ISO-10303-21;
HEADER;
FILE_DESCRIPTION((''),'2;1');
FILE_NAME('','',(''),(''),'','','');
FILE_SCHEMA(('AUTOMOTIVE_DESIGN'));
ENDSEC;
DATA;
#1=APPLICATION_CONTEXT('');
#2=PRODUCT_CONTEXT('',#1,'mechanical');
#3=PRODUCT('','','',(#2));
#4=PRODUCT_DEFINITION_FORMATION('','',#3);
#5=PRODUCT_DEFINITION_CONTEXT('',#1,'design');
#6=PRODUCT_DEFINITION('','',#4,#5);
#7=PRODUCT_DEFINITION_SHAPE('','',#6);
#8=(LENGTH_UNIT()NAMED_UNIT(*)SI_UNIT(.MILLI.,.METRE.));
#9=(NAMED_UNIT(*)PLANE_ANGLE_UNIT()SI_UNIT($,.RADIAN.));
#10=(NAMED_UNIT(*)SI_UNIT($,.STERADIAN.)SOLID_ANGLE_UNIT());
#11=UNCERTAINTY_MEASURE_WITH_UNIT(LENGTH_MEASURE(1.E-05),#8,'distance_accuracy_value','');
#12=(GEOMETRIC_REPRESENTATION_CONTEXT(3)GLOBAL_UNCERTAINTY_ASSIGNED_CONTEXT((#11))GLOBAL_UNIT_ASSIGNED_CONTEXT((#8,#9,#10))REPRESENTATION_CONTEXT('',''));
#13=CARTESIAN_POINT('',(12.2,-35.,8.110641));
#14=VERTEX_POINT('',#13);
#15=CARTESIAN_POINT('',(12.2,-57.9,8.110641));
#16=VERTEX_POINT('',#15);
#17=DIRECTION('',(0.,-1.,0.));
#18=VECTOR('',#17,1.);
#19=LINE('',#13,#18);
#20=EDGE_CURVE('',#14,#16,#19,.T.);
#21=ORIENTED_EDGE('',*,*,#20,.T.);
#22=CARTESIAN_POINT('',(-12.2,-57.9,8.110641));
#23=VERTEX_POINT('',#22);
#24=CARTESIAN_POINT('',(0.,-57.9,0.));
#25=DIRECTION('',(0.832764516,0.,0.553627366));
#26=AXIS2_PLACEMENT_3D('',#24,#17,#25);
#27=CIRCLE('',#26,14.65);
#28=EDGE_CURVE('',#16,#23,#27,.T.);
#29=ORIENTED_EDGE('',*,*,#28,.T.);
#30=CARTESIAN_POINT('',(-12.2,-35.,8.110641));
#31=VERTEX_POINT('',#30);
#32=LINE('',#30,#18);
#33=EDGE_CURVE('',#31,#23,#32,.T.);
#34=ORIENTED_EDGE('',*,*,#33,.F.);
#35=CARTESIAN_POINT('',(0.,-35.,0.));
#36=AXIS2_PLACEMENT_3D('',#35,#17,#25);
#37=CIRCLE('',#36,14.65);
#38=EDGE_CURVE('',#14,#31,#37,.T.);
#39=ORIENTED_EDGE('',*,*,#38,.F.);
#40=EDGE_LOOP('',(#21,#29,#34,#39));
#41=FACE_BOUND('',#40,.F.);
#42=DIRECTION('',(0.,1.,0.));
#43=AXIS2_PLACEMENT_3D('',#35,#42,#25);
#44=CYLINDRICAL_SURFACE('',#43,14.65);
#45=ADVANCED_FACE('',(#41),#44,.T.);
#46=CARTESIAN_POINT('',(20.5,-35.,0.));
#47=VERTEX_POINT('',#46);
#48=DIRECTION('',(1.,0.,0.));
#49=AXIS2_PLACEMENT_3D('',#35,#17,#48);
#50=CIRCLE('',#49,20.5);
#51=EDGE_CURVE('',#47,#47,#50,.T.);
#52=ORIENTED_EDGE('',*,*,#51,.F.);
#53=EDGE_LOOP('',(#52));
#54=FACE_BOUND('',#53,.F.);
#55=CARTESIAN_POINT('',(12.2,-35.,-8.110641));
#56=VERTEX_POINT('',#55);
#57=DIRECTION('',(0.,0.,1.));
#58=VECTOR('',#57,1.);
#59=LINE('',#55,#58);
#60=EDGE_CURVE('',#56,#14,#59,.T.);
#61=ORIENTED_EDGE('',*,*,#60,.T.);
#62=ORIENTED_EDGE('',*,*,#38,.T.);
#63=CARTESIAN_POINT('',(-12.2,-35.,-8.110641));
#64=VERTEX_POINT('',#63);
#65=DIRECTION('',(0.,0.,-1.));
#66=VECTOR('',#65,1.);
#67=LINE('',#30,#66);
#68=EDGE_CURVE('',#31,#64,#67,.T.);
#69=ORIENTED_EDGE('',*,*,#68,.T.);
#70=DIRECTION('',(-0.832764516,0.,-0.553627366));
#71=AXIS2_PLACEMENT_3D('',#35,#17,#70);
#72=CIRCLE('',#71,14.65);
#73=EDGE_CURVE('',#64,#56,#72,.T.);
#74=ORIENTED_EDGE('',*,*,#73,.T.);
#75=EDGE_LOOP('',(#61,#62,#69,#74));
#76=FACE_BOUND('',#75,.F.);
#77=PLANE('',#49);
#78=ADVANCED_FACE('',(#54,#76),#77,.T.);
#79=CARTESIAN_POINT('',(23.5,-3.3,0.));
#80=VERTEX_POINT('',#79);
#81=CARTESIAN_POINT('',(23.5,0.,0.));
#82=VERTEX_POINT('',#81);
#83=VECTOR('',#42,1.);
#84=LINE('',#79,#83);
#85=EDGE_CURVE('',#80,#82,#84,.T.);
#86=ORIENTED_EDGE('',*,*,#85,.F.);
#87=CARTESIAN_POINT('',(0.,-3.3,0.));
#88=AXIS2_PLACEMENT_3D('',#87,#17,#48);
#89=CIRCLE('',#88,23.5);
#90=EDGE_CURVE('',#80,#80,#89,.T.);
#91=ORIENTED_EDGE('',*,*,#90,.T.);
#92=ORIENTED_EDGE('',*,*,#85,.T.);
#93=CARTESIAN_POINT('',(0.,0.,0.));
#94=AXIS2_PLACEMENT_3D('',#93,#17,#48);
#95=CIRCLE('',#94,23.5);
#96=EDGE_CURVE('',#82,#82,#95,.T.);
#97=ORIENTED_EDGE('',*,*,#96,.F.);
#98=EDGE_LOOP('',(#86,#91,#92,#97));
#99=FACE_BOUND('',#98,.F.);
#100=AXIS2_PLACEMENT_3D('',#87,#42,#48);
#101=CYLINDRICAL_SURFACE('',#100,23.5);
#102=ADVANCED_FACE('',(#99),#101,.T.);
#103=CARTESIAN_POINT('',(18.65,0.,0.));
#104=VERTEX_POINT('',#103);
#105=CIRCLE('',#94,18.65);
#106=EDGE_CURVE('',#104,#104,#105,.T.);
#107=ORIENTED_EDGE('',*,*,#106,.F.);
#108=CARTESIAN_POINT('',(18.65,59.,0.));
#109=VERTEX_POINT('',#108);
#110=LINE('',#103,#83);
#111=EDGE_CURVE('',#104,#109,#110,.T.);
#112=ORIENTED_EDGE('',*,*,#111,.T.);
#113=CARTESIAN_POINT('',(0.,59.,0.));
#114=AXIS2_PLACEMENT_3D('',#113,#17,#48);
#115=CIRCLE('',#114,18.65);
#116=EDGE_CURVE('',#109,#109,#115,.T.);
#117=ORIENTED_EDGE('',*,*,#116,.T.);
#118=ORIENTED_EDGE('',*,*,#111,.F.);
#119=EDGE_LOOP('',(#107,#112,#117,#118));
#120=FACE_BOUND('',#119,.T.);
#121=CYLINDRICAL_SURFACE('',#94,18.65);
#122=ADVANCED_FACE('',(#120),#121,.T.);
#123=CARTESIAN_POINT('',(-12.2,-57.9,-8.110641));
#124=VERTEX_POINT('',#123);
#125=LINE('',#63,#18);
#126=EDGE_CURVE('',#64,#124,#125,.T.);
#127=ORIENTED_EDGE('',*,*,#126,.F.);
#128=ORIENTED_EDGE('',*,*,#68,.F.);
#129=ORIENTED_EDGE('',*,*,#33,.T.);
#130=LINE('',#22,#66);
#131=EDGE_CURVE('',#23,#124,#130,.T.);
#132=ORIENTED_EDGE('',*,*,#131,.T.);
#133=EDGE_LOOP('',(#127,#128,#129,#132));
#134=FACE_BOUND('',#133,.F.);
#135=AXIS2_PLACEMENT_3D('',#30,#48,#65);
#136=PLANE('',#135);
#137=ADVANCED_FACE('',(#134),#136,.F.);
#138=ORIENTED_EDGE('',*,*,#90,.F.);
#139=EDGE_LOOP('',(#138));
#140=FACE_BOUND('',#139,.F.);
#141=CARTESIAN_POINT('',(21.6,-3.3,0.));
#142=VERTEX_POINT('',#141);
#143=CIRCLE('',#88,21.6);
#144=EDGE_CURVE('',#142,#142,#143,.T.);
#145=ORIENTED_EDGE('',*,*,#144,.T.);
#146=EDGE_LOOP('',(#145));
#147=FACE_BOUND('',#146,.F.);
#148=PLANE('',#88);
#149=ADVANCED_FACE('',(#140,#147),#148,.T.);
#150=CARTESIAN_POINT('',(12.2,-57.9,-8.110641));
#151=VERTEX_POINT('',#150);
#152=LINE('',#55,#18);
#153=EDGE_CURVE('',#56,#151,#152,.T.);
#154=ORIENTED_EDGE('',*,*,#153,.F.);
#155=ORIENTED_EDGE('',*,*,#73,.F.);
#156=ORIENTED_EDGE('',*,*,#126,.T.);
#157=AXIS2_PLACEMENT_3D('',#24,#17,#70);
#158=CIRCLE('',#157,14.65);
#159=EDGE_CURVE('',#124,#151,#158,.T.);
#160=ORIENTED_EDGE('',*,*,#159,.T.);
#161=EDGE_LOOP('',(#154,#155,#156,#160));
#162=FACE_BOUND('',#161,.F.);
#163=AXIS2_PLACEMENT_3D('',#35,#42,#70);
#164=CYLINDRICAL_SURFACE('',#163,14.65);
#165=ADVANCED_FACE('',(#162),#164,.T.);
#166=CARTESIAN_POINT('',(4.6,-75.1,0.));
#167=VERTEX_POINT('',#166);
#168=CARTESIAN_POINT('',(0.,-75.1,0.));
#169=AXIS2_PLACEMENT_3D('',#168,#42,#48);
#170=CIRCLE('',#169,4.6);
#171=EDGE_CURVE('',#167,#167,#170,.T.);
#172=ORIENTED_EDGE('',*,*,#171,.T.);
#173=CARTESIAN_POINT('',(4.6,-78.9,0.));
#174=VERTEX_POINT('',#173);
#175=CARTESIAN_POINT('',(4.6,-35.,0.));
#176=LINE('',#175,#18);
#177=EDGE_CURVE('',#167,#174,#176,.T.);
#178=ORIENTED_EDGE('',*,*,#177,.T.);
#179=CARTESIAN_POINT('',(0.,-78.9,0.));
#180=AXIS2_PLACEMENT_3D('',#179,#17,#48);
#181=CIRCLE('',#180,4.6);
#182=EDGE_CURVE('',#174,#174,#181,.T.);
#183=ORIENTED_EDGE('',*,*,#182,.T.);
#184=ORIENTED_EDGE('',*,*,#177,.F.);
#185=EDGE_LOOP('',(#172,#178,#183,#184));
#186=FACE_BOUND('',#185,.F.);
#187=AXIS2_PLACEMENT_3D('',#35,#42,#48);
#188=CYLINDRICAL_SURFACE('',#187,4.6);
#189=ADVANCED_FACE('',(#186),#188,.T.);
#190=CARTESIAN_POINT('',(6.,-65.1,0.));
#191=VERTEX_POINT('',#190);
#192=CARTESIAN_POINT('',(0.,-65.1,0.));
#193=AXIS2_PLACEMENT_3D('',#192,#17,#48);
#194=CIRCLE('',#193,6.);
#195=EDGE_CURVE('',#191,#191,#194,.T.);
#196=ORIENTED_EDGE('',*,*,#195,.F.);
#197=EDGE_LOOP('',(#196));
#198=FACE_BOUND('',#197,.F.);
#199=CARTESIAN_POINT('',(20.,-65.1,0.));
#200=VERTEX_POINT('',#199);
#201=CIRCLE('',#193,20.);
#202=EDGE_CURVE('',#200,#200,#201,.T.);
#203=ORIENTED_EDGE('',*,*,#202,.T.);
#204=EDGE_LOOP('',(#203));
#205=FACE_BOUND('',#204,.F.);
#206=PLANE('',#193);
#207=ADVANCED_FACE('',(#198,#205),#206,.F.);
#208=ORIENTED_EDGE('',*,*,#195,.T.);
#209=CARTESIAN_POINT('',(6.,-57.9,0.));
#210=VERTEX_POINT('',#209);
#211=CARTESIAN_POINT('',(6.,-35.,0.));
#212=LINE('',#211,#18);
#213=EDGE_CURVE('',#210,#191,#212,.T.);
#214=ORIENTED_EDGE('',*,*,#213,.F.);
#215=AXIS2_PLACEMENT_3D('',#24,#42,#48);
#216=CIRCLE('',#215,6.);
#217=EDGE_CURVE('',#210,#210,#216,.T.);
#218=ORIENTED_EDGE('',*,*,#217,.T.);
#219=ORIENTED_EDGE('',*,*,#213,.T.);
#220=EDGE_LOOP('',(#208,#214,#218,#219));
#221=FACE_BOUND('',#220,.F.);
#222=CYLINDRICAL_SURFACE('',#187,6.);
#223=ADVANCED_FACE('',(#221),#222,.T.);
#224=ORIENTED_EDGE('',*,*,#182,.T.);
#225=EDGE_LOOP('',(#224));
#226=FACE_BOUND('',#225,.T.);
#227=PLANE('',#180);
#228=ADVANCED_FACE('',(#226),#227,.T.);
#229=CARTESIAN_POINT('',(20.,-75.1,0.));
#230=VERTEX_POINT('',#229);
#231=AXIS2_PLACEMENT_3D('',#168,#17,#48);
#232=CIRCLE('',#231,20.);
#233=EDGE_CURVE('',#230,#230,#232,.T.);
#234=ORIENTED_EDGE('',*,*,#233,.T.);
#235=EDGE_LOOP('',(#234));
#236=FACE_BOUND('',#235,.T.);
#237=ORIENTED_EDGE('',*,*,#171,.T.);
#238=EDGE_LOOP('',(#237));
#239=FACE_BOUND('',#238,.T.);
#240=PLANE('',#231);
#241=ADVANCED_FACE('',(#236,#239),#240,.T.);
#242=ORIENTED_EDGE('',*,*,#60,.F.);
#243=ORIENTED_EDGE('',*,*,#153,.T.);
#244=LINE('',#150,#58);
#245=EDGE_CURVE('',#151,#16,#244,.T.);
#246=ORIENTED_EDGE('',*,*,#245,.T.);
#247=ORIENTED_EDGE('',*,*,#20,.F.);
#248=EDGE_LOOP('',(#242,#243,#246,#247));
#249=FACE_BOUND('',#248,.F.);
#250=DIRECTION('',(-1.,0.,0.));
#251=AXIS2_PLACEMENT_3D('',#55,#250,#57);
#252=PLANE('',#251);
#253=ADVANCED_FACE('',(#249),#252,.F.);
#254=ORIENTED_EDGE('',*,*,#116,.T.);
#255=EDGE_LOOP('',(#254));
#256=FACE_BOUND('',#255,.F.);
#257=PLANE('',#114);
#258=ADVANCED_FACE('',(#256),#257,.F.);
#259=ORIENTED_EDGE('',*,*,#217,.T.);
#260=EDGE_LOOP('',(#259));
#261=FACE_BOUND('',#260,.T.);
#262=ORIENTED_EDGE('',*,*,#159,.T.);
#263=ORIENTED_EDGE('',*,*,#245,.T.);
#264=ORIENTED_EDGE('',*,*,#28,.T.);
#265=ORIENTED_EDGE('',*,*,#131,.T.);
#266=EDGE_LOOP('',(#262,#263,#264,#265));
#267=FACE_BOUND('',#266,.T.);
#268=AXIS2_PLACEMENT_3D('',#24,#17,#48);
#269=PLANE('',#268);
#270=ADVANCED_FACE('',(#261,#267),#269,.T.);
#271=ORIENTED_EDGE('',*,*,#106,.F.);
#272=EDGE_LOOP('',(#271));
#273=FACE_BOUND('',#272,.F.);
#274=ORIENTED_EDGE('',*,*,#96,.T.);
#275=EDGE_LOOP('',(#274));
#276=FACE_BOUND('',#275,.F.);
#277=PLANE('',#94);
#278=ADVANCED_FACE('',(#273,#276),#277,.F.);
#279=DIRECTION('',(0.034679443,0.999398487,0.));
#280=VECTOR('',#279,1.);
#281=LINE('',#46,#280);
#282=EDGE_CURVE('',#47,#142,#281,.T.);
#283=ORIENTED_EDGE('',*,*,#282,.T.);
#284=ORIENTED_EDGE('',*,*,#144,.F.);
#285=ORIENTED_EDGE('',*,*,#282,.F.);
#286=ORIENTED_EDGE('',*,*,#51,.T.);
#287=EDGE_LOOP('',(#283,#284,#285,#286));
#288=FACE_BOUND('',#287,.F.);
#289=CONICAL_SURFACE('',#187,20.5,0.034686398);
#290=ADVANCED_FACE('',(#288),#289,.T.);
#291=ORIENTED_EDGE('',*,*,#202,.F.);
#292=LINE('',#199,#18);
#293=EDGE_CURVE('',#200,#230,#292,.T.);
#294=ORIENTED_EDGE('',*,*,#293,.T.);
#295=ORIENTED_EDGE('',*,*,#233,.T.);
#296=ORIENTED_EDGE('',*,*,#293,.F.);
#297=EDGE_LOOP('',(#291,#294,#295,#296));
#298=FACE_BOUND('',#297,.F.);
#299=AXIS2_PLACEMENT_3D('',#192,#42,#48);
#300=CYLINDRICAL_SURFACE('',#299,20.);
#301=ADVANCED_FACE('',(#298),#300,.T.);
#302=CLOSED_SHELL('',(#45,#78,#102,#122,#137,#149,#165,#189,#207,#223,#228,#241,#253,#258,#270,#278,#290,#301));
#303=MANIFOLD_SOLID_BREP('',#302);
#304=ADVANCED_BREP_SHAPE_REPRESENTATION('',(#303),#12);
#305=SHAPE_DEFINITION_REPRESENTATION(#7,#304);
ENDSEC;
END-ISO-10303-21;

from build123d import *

# Parameters (mm, degrees)
F0_R     = 18.65
F1_DEPTH = 59
F4_R     = 6
F4_R_2   = 4.6
F5_DEPTH = 22.9
F6_DEPTH = 30.1
F7_DEPTH = 43.9
F8_R     = 20
F8_R_2   = 6
F9_DEPTH = 10


with BuildPart() as f1:
    # F0 (on Front) → F1 (new body)
    with BuildSketch(Plane.XZ):
        Circle(F0_R)
    extrude(amount=-F1_DEPTH)

    # F2 (on Top) → F3 (revolve)
    with BuildSketch(Plane.XY):
        Polygon((23.5, 0), (0, 0), (0, -35), (20.5, -35), (21.6, -3.3), (23.5, -3.3), align=None)
    revolve(axis=Axis((0, -17.5, 0), (0, -1, 0)))

    # F4 (on face) → F5 (join)
    with BuildSketch(Plane.XZ.offset(35)):
        with BuildLine():
            ThreePointArc((12.2, 8.110641), (0, 14.65), (-12.2, 8.110641))
            Line((-12.2, 8.110641), (-12.2, -8.110641))
            ThreePointArc((-12.2, -8.110641), (0, -14.65), (12.2, -8.110641))
            Line((12.2, -8.110641), (12.2, 8.110641))
        make_face()
        Circle(F4_R, mode=Mode.SUBTRACT)
        Circle(F4_R)
        Circle(F4_R_2, mode=Mode.SUBTRACT)
        Circle(F4_R_2)
    extrude(amount=F5_DEPTH)

    # F4 (on face) → F6 (join)
    with BuildSketch(Plane.XZ.offset(35)):
        Circle(F4_R)
        Circle(F4_R_2, mode=Mode.SUBTRACT)
        Circle(F4_R_2)
    extrude(amount=F6_DEPTH)

    # F4 (on face) → F7 (join)
    with BuildSketch(Plane.XZ.offset(35)):
        Circle(F4_R_2)
    extrude(amount=F7_DEPTH)

    # F8 (on face) → F9 (join)
    with BuildSketch(Plane.XZ.offset(65.1)):
        Circle(F8_R)
        Circle(F8_R_2)
    extrude(amount=F9_DEPTH)


solid = f1.part
